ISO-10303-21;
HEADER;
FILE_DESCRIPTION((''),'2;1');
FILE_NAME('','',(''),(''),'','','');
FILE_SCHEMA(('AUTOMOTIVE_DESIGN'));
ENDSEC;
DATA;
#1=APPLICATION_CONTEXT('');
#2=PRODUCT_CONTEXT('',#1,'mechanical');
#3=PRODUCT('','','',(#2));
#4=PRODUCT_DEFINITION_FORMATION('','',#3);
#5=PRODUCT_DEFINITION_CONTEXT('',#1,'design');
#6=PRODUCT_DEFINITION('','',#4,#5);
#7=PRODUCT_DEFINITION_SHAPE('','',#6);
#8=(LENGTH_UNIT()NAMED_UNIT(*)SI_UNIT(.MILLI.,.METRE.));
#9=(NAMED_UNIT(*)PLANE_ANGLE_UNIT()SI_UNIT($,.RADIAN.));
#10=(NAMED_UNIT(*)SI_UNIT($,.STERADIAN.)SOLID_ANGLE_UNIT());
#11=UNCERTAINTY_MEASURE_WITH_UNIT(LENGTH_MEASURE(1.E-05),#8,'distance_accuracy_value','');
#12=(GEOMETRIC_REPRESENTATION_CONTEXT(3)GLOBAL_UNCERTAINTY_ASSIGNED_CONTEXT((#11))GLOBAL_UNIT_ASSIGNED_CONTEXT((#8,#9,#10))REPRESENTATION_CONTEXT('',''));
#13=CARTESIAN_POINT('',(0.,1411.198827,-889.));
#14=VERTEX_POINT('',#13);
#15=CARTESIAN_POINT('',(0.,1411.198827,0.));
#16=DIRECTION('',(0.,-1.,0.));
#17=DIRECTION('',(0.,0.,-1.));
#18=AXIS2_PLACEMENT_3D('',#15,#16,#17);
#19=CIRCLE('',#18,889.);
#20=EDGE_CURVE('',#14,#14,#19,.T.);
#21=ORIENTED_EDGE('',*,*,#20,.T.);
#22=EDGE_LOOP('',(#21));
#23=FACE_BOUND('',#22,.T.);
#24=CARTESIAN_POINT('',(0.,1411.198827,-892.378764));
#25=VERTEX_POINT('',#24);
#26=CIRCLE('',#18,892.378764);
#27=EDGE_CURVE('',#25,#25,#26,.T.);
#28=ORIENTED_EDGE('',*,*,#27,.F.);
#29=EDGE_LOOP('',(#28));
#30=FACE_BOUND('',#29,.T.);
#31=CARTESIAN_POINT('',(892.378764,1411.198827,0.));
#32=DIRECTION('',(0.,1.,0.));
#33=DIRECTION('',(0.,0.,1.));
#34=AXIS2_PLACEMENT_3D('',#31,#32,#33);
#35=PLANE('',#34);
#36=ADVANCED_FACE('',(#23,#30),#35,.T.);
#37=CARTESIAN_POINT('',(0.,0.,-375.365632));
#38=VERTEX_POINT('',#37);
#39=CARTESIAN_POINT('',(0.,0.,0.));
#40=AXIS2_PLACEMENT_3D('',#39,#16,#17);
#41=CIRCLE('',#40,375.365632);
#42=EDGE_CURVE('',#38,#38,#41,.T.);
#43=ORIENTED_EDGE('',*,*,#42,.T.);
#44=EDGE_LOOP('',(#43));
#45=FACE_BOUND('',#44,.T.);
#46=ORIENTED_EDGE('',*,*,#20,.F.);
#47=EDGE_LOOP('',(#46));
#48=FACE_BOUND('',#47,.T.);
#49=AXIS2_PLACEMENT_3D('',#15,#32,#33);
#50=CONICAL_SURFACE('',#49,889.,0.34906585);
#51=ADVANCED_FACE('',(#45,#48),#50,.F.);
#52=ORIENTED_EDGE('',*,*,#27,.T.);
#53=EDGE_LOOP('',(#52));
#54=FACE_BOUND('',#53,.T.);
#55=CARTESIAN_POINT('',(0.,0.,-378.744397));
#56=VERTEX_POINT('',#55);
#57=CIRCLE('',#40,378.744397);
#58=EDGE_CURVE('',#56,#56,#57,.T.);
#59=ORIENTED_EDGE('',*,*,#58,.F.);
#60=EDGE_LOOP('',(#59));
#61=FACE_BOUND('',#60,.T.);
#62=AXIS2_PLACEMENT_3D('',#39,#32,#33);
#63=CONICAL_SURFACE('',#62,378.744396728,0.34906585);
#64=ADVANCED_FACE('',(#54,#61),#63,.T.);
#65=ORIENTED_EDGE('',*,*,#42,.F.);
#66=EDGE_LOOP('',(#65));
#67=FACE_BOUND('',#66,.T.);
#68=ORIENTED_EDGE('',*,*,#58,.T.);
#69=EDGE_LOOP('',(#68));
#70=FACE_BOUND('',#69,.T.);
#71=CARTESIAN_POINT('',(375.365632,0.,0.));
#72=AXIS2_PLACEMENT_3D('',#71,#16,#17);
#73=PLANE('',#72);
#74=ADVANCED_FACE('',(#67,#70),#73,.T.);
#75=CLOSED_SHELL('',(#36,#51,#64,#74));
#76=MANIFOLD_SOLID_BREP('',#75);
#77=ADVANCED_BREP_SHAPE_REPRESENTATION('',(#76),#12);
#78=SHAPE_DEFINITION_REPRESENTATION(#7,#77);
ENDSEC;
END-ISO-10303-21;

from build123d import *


with BuildPart() as part:
    # Sketch1 → Revolve1 (revolve)
    with BuildSketch(Plane.XY, mode=Mode.PRIVATE) as revolve1_sk:
        Polygon((375.3656323, 0), (889, 1411.198827112), (892.378764428, 1411.198827112), (378.744396728, 0), align=None)
    revolve(revolve1_sk.sketch.rotate(Axis((0, 0, 0), (0, 1, 0)), 90), axis=Axis((0, 0, 0), (0, 1, 0)))


solid = part.part
